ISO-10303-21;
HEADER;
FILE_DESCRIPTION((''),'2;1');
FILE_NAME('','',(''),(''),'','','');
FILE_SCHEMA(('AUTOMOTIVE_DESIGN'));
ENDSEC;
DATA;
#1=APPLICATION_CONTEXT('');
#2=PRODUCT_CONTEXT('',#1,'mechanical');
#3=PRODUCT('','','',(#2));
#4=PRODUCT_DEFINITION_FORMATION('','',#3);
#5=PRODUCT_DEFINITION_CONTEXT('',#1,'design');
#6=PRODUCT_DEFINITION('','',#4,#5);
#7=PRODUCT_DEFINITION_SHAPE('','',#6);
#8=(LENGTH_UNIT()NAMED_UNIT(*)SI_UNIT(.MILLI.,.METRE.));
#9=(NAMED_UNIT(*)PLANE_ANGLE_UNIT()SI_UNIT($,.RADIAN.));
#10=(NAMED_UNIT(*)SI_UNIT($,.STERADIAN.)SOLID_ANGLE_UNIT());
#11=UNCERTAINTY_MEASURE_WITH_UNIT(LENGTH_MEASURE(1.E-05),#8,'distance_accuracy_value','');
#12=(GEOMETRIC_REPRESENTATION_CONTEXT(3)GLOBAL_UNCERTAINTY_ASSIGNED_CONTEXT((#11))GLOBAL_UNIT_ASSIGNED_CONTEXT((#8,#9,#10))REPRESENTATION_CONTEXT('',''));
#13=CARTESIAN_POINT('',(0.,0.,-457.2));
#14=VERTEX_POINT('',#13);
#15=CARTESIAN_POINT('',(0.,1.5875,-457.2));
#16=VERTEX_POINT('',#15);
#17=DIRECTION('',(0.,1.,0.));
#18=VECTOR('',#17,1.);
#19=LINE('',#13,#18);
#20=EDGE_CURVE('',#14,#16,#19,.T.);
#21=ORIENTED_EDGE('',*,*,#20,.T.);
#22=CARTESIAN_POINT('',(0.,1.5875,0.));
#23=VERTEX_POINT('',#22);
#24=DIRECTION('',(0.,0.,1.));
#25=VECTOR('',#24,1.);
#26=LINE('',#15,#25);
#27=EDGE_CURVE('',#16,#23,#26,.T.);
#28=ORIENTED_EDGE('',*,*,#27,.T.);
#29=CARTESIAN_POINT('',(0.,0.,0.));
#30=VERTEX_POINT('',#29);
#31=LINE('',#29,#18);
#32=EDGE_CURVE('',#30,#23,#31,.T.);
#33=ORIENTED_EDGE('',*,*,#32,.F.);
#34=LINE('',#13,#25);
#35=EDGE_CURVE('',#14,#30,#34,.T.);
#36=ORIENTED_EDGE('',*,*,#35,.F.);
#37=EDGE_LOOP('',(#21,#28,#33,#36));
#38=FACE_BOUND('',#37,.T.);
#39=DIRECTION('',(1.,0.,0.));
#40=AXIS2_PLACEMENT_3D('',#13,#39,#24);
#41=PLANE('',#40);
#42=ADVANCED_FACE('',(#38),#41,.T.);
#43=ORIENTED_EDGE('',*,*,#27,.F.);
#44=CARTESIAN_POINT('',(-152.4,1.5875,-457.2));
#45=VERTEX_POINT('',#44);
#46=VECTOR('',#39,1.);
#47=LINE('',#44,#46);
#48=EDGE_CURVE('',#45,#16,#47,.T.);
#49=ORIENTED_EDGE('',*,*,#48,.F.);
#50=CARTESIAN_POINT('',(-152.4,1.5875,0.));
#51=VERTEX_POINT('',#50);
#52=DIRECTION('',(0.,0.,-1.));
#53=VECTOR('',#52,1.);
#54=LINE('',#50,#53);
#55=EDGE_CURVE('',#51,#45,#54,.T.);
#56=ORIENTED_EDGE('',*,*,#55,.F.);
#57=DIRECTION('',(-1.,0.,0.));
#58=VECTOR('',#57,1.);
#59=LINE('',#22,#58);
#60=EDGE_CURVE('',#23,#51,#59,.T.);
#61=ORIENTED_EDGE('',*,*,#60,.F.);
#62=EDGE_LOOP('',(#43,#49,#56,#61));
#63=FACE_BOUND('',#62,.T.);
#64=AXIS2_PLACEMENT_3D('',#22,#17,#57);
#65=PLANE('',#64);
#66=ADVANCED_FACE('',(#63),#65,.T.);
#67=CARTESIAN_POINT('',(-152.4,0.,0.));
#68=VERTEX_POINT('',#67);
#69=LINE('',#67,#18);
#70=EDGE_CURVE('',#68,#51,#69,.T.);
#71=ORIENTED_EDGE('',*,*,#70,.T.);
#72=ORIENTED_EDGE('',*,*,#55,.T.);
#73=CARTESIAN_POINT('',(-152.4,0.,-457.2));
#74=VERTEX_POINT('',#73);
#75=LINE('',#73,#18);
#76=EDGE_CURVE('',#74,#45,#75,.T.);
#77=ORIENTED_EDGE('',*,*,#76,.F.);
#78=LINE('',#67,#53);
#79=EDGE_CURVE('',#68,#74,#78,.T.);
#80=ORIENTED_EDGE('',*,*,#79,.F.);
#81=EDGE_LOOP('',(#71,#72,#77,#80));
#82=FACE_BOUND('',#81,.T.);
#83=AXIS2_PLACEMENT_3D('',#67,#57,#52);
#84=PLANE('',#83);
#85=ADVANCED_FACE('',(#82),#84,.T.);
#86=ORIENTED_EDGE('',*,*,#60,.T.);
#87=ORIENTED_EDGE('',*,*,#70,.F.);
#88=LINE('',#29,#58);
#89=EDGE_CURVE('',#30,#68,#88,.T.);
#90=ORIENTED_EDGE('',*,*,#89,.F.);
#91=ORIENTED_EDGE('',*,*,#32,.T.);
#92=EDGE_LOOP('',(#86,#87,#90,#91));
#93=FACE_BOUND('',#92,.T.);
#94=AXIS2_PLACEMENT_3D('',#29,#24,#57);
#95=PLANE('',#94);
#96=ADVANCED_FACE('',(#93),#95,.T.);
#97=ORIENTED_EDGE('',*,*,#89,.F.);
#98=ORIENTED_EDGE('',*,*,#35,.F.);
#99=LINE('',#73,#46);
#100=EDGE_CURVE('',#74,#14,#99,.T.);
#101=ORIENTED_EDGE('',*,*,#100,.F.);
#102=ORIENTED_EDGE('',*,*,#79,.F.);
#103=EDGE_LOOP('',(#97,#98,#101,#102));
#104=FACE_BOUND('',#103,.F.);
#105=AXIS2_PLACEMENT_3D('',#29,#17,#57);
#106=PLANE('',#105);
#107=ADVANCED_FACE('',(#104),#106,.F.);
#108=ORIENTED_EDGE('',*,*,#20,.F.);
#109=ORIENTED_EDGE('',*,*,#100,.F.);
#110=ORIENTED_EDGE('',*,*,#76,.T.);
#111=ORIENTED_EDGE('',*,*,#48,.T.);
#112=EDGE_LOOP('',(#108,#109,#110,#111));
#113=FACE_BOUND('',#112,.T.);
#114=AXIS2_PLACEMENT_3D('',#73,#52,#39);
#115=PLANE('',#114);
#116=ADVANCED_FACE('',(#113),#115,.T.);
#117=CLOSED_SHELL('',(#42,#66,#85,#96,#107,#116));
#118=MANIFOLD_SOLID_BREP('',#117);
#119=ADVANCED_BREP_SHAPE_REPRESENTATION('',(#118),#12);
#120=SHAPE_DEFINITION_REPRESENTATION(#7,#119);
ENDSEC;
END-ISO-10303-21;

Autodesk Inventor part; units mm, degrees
ref_plane "YZ Plane" through (0, 0, 0) normal (1, 0, 0) x (0, 1, 0)
ref_plane "XZ Plane" through (0, 0, 0) normal (0, 1, 0) x (-1, 0, 0)
ref_plane "XY Plane" through (0, 0, 0) normal (0, 0, 1) x (1, 0, 0)
sketch "Sketch1" plane through (0, 0, 0) normal (0, 1, 0) x (-1, 0, 0)
  line L0 (0, 0) -> (152.4, 0)
  line L1 (152.4, 0) -> (152.4, -457.2)
  line L2 (152.4, -457.2) -> (0, -457.2)
  line L3 (0, -457.2) -> (0, 0)
  dimension "d0" = 152.4
  dimension "d1" = 457.2
extrude "Extrusion1" add sketch "Sketch1" along normal blind 1.5875
